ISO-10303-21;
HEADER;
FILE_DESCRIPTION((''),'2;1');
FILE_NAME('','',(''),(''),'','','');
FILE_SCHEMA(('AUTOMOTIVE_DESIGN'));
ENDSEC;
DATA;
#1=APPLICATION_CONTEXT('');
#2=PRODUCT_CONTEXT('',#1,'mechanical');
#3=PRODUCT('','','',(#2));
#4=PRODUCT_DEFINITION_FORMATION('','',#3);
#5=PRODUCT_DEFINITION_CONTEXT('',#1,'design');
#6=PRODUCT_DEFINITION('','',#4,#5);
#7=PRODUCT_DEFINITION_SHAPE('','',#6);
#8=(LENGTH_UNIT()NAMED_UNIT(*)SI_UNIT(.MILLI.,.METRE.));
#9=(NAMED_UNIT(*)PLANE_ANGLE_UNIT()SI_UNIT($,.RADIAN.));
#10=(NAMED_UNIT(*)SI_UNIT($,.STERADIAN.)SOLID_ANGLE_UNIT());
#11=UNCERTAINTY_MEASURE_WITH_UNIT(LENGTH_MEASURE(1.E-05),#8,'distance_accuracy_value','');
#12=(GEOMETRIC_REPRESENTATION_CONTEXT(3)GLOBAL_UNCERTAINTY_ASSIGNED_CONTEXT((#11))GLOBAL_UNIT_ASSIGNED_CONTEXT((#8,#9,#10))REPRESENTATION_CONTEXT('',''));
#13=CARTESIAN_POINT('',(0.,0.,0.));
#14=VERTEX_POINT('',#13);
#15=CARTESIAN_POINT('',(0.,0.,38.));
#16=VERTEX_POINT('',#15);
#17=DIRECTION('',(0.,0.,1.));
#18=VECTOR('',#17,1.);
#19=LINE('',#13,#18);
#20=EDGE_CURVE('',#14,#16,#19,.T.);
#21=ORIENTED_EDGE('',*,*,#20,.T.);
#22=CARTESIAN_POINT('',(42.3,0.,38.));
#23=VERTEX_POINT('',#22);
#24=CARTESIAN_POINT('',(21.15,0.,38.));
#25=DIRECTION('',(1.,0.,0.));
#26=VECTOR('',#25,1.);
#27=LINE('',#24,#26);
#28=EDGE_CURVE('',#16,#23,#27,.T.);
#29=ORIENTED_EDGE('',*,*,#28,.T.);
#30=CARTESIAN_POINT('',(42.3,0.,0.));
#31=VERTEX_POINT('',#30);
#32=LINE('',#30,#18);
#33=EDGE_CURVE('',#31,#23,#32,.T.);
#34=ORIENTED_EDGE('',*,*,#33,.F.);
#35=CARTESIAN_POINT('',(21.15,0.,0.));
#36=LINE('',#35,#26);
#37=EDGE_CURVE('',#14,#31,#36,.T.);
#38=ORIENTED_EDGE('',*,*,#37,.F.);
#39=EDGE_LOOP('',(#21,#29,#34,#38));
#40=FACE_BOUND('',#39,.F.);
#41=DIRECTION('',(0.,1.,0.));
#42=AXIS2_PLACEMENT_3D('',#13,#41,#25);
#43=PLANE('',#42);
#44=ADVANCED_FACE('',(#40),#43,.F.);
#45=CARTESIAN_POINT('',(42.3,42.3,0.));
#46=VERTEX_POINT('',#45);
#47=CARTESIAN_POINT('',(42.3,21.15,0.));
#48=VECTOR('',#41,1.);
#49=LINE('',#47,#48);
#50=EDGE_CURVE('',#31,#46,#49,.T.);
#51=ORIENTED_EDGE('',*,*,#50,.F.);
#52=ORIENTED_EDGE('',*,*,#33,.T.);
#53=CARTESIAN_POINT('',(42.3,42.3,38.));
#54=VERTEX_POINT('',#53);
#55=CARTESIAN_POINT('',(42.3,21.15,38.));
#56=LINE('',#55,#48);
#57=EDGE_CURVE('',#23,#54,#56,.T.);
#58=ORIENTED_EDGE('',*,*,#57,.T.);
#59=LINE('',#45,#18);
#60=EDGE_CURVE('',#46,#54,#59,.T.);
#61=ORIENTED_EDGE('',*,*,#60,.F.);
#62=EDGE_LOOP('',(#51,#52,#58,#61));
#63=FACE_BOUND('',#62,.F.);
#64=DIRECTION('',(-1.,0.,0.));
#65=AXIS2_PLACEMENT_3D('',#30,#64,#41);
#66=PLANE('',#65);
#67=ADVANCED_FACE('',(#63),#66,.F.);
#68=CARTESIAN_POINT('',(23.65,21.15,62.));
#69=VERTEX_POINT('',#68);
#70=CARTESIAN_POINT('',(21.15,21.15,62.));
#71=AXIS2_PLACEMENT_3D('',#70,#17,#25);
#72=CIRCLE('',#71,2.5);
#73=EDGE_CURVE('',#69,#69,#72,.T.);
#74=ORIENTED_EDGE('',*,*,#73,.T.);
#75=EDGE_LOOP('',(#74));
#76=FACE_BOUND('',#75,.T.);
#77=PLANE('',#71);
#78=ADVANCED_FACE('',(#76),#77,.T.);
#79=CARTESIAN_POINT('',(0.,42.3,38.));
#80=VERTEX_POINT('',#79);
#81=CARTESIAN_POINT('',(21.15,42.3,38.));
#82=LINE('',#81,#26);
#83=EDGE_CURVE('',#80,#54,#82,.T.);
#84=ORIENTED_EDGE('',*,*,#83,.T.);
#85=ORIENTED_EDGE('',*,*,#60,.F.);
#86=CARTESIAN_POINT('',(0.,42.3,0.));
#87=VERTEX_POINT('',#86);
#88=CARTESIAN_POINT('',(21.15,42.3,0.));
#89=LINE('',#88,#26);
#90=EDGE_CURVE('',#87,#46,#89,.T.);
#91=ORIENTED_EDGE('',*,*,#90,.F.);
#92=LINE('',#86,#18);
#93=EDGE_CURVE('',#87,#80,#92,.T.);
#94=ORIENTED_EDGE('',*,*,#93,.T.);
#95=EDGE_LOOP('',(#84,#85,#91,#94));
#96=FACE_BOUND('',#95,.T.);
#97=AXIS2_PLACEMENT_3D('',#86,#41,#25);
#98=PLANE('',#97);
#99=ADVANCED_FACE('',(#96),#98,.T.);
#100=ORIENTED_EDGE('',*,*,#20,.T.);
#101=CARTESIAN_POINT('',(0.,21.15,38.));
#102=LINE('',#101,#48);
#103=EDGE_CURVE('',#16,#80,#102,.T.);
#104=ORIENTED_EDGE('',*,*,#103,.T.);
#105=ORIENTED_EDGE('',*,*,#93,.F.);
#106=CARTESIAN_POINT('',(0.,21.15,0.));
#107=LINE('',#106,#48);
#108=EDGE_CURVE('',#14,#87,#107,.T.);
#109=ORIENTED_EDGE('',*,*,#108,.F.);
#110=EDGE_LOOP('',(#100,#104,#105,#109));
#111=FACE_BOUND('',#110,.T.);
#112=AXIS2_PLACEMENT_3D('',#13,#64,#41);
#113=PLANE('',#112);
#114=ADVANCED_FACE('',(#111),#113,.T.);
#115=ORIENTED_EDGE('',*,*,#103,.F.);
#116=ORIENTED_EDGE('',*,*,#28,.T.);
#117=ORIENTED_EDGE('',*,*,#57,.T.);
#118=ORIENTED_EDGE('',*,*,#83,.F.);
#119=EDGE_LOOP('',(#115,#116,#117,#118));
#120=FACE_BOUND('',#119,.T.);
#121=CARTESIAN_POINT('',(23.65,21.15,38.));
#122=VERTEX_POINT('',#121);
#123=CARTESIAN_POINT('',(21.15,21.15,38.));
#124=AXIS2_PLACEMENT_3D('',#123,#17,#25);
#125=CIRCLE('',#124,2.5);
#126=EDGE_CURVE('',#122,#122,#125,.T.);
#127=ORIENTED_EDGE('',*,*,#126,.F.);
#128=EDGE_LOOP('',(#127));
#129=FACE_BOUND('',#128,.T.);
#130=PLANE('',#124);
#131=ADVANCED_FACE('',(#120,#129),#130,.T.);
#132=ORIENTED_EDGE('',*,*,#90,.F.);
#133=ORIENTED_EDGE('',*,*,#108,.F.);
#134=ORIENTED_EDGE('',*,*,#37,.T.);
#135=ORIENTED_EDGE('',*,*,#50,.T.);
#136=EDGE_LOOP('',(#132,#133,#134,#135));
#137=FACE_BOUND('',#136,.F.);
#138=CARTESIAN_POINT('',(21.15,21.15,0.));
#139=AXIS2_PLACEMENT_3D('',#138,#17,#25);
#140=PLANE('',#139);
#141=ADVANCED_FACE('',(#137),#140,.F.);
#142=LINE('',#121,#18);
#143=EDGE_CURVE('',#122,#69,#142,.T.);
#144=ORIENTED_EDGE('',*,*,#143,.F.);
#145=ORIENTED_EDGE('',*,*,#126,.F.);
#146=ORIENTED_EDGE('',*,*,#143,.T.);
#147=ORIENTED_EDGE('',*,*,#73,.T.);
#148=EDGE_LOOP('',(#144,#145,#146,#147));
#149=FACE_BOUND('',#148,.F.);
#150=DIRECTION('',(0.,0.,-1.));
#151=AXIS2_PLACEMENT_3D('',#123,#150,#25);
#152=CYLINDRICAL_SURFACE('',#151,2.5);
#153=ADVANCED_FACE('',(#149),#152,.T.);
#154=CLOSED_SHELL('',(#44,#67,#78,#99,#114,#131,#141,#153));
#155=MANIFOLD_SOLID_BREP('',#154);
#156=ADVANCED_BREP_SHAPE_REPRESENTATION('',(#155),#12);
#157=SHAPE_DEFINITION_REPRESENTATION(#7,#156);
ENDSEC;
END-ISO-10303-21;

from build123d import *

# Parameters (mm, degrees)
CYLINDER_R     = 2.5
CYLINDER_DEPTH = 24
BOX_W          = 42.3
BOX_H          = 42.3
BOX_DEPTH      = 38


with BuildPart() as rotor:
    # Cylinder → Cylinder (new body)
    with BuildSketch(Plane(origin=(21.15, 21.15, 38), x_dir=(1, 0, 0), z_dir=(0, 0, 1))):
        Circle(CYLINDER_R)
    extrude(amount=CYLINDER_DEPTH)


with BuildPart() as f_17hs4401:
    # Box → Box (new body)
    with BuildSketch(Plane.XY):
        with Locations((21.15, 21.15)):
            Rectangle(BOX_W, BOX_H)
    extrude(amount=BOX_DEPTH)

    # Fusion: union Rotor
    add(rotor.part)


solid = f_17hs4401.part
